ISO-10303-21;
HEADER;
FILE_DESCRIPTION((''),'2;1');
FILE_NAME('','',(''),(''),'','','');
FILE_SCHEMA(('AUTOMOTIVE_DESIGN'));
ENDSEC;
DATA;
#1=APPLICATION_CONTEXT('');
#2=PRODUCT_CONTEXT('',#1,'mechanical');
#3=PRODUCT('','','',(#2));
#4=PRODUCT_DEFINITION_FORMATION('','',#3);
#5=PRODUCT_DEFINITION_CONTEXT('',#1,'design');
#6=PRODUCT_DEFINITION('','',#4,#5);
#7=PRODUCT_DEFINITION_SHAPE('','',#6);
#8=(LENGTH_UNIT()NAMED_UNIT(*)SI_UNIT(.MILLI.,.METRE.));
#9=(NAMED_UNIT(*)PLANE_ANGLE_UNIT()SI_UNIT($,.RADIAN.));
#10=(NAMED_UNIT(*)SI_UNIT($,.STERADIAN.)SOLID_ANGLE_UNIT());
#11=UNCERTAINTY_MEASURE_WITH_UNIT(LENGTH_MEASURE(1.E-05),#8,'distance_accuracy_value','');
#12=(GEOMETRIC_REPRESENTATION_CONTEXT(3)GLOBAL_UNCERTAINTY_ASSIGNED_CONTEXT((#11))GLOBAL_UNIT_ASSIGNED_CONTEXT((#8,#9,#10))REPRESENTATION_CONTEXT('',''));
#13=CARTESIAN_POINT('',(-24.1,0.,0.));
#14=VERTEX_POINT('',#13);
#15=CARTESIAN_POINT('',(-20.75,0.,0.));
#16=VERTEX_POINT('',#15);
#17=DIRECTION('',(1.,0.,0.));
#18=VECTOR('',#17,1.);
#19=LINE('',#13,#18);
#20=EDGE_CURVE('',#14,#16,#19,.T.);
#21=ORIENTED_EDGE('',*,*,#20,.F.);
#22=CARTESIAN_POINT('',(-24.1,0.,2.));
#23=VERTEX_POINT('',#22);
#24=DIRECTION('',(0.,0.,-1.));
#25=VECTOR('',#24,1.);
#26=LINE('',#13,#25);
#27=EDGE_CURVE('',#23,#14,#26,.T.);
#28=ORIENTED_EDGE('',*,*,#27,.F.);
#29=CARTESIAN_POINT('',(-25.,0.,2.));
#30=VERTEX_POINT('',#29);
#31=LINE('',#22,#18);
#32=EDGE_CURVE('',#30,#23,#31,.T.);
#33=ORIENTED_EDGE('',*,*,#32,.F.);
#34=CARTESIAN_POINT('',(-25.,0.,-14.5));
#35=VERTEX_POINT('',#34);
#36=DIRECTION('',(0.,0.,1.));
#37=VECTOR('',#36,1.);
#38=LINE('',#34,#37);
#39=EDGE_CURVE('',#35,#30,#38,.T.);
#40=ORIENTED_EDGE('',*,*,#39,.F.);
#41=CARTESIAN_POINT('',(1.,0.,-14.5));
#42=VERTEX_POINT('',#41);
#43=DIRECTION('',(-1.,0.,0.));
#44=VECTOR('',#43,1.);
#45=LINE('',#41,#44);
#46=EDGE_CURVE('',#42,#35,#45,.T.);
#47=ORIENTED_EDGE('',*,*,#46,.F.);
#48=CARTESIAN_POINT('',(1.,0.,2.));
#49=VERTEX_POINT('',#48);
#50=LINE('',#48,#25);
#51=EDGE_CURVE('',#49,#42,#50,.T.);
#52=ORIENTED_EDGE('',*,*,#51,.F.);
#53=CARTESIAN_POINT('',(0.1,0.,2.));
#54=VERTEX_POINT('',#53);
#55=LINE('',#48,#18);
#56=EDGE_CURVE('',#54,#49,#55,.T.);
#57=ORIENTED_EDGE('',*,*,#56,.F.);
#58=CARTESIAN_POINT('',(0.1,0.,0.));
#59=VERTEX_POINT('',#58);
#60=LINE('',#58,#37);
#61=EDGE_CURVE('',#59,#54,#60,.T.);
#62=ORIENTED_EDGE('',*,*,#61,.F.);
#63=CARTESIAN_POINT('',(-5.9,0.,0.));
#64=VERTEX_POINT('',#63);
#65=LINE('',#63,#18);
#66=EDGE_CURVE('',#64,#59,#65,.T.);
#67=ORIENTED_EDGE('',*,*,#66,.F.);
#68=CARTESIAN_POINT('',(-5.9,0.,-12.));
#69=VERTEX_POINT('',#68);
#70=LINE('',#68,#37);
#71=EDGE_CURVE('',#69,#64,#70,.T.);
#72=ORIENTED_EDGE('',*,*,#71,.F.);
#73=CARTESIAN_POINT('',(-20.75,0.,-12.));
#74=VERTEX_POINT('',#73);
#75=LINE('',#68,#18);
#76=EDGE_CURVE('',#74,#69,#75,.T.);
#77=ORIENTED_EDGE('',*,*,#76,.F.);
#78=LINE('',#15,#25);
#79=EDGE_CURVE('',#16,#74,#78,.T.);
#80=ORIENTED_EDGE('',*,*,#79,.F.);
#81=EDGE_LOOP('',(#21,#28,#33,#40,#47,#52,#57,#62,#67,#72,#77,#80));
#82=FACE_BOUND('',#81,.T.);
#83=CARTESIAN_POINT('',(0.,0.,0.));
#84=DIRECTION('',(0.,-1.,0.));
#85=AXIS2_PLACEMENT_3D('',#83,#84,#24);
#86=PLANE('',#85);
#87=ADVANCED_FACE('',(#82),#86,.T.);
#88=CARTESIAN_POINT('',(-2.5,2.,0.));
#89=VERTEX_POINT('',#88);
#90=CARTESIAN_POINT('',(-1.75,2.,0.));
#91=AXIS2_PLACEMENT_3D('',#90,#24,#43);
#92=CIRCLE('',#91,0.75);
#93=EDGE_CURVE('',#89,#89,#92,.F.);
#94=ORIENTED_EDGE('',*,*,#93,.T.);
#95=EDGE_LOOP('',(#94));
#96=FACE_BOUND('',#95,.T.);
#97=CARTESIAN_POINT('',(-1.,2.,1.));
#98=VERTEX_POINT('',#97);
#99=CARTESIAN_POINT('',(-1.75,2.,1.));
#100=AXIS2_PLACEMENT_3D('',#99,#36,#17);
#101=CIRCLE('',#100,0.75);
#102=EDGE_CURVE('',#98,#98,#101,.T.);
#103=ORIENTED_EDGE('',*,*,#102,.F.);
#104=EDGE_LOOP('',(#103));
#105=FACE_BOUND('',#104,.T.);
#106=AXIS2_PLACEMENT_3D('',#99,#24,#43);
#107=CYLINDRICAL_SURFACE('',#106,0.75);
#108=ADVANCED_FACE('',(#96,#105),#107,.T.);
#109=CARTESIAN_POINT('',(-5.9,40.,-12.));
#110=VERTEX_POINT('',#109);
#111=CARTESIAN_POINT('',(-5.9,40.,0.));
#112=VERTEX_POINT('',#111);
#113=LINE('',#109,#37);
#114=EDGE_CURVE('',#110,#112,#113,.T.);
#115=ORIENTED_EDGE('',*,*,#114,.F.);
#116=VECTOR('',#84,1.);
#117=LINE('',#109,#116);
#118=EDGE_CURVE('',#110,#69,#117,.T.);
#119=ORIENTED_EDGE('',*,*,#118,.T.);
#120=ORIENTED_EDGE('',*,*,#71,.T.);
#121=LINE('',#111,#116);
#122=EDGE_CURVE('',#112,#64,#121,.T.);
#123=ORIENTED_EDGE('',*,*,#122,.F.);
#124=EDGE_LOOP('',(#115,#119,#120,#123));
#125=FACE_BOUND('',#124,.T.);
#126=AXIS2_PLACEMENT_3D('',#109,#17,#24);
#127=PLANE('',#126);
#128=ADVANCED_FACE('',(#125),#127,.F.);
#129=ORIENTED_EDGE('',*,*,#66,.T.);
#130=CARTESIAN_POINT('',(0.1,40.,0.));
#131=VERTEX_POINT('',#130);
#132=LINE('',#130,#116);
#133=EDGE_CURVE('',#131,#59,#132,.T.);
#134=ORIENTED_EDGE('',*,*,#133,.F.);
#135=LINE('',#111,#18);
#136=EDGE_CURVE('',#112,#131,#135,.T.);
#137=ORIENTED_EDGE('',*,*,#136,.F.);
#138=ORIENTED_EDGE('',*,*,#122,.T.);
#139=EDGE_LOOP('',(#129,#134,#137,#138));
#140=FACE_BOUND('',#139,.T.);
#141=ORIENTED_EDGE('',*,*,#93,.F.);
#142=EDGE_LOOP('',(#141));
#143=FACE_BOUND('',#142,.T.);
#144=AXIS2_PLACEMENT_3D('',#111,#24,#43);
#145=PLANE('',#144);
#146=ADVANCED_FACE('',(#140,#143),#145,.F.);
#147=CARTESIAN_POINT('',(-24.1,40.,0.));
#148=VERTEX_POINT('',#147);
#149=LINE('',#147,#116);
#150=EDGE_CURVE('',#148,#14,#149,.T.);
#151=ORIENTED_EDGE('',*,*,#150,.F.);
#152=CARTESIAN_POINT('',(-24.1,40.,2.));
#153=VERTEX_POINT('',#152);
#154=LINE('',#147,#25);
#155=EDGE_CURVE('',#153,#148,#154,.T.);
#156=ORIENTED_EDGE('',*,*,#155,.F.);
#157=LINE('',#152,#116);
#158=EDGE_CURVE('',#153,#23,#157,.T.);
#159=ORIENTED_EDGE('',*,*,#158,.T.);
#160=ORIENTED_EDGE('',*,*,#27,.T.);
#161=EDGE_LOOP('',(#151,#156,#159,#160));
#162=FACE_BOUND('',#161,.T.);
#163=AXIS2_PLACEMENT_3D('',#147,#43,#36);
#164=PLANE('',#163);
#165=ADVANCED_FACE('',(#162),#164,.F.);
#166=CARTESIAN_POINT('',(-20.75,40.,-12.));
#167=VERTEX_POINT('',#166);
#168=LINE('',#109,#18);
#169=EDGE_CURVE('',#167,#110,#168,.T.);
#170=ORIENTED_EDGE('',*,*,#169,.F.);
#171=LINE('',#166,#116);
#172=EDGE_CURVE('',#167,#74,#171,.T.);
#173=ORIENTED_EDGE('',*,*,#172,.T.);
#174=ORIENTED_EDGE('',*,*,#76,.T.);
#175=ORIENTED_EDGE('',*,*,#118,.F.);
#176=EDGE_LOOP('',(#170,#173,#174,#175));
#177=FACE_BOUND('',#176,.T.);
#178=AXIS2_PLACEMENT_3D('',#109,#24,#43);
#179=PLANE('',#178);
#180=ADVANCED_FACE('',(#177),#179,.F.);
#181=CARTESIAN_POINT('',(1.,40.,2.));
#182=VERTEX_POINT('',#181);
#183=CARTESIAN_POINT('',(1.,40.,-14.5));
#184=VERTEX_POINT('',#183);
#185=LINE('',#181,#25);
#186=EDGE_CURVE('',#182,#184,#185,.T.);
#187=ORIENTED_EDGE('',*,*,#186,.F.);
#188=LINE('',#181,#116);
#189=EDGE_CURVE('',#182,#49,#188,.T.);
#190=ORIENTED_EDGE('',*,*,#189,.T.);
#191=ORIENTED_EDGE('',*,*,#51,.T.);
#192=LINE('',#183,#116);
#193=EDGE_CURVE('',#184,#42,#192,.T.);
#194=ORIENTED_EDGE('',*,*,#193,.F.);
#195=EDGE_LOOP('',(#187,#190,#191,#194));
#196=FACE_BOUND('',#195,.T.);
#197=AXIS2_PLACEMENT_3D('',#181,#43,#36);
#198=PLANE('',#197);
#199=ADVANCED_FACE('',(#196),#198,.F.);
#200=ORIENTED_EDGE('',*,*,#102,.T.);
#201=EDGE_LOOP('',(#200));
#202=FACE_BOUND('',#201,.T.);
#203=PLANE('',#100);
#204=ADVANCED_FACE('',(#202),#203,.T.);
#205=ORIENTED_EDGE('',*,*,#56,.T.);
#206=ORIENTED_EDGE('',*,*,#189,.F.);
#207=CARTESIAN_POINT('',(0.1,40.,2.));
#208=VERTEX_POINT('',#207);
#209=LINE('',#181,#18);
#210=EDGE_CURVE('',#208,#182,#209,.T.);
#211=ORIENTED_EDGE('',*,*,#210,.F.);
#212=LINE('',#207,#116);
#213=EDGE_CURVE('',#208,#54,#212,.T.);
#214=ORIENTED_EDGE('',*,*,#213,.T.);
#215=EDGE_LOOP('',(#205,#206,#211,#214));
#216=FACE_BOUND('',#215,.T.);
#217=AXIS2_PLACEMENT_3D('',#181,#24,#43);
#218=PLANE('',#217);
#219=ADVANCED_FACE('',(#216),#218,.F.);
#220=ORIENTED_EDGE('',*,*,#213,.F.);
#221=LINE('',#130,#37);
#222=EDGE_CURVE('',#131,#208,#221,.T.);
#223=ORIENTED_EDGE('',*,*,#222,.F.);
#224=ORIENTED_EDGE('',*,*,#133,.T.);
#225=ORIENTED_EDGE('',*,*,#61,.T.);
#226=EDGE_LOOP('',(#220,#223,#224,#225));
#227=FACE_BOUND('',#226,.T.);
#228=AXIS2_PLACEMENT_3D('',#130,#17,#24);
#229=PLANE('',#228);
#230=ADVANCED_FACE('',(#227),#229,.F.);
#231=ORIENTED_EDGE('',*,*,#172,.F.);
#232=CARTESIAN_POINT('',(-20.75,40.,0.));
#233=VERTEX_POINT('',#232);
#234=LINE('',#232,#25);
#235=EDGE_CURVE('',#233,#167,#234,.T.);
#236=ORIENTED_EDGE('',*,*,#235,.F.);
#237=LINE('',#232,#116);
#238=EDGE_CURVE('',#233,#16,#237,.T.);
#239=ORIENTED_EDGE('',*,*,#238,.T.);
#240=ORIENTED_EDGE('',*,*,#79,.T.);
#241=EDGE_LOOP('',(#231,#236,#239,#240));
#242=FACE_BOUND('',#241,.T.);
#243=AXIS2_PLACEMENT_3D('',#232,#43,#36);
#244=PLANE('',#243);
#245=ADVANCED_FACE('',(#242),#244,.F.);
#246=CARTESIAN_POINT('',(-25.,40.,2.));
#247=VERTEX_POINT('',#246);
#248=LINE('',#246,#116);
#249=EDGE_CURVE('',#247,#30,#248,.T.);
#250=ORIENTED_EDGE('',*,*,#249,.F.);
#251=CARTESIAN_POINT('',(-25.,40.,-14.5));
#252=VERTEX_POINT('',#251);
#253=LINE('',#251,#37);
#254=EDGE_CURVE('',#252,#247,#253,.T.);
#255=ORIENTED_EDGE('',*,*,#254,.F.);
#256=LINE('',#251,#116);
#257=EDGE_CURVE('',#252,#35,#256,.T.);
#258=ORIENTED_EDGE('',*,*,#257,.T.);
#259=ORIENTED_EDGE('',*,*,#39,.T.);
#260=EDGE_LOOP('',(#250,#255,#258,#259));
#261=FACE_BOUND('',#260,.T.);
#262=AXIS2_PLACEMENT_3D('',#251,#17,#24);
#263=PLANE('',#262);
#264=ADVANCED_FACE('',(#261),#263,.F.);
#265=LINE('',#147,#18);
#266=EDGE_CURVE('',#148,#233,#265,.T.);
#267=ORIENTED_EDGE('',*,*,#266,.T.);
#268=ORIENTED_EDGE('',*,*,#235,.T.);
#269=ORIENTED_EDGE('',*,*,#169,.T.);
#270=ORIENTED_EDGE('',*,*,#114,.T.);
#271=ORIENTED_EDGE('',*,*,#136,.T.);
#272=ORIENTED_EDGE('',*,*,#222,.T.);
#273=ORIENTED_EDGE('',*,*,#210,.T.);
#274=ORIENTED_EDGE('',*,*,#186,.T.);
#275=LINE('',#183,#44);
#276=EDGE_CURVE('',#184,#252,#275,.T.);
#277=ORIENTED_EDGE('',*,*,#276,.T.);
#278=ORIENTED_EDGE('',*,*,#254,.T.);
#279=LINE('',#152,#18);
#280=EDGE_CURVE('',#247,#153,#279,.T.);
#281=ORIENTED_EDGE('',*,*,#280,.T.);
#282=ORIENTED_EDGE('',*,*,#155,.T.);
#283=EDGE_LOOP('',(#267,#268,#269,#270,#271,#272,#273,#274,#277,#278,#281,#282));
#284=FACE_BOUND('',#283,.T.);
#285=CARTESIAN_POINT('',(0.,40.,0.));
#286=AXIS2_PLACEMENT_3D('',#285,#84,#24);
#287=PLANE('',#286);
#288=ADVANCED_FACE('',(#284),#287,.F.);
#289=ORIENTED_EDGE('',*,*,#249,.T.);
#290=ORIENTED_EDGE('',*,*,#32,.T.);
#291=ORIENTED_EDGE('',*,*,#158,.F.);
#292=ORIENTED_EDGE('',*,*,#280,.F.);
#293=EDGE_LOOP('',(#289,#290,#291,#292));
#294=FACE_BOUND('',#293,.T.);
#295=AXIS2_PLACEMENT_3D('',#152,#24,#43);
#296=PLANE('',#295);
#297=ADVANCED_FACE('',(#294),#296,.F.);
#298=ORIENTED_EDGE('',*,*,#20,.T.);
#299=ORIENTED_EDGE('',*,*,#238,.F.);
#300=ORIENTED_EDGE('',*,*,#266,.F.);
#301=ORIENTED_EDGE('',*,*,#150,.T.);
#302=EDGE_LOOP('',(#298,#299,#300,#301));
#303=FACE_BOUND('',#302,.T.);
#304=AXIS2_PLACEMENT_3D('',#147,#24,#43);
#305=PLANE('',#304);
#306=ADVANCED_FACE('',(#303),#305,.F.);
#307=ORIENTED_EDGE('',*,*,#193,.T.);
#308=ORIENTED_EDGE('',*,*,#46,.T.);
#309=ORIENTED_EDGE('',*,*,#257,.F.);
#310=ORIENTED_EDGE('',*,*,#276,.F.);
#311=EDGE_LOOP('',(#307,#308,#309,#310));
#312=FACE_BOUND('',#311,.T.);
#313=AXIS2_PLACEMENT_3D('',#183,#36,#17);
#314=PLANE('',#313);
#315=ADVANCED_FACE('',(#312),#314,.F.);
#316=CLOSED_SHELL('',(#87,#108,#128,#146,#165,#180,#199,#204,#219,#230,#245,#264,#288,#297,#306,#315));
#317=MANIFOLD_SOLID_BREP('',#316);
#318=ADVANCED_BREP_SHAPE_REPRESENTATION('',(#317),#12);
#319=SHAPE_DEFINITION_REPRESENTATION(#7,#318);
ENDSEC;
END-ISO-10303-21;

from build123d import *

# Parameters (mm, degrees)
PROFILE_EXTRUDE_DEPTH  = 40
SPROCKET_SKETCH_R      = 0.75
SPROCKET_EXTRUDE_DEPTH = 1


with BuildPart() as part:
    # Profile Sketch → Profile Extrude (new body)
    with BuildSketch(Plane(origin=(0.045617437, 0, -0.024209872), x_dir=(-1, 0, 0), z_dir=(0, 1, 0))):
        Polygon((5.945617437, -11.975790128), (5.945617437, 0.024209872), (-0.054382563, 0.024209872), (-0.054382563, 2.024209872), (-0.954382563, 2.024209872), (-0.954382563, -14.475790128), (25.045617437, -14.475790128), (25.045617437, 2.024209872), (24.145617437, 2.024209872), (24.145617437, 0.024209872), (20.795617437, 0.024209872), (20.795617437, -11.975790128), align=None)
    extrude(amount=PROFILE_EXTRUDE_DEPTH)

    # Sprocket Sketch → Sprocket Extrude (add)
    with BuildSketch(Plane.XY):
        with Locations(Location((-1.75, 2, 0), (0, 0, 180))):
            Circle(SPROCKET_SKETCH_R)
    extrude(amount=SPROCKET_EXTRUDE_DEPTH)


solid = part.part
